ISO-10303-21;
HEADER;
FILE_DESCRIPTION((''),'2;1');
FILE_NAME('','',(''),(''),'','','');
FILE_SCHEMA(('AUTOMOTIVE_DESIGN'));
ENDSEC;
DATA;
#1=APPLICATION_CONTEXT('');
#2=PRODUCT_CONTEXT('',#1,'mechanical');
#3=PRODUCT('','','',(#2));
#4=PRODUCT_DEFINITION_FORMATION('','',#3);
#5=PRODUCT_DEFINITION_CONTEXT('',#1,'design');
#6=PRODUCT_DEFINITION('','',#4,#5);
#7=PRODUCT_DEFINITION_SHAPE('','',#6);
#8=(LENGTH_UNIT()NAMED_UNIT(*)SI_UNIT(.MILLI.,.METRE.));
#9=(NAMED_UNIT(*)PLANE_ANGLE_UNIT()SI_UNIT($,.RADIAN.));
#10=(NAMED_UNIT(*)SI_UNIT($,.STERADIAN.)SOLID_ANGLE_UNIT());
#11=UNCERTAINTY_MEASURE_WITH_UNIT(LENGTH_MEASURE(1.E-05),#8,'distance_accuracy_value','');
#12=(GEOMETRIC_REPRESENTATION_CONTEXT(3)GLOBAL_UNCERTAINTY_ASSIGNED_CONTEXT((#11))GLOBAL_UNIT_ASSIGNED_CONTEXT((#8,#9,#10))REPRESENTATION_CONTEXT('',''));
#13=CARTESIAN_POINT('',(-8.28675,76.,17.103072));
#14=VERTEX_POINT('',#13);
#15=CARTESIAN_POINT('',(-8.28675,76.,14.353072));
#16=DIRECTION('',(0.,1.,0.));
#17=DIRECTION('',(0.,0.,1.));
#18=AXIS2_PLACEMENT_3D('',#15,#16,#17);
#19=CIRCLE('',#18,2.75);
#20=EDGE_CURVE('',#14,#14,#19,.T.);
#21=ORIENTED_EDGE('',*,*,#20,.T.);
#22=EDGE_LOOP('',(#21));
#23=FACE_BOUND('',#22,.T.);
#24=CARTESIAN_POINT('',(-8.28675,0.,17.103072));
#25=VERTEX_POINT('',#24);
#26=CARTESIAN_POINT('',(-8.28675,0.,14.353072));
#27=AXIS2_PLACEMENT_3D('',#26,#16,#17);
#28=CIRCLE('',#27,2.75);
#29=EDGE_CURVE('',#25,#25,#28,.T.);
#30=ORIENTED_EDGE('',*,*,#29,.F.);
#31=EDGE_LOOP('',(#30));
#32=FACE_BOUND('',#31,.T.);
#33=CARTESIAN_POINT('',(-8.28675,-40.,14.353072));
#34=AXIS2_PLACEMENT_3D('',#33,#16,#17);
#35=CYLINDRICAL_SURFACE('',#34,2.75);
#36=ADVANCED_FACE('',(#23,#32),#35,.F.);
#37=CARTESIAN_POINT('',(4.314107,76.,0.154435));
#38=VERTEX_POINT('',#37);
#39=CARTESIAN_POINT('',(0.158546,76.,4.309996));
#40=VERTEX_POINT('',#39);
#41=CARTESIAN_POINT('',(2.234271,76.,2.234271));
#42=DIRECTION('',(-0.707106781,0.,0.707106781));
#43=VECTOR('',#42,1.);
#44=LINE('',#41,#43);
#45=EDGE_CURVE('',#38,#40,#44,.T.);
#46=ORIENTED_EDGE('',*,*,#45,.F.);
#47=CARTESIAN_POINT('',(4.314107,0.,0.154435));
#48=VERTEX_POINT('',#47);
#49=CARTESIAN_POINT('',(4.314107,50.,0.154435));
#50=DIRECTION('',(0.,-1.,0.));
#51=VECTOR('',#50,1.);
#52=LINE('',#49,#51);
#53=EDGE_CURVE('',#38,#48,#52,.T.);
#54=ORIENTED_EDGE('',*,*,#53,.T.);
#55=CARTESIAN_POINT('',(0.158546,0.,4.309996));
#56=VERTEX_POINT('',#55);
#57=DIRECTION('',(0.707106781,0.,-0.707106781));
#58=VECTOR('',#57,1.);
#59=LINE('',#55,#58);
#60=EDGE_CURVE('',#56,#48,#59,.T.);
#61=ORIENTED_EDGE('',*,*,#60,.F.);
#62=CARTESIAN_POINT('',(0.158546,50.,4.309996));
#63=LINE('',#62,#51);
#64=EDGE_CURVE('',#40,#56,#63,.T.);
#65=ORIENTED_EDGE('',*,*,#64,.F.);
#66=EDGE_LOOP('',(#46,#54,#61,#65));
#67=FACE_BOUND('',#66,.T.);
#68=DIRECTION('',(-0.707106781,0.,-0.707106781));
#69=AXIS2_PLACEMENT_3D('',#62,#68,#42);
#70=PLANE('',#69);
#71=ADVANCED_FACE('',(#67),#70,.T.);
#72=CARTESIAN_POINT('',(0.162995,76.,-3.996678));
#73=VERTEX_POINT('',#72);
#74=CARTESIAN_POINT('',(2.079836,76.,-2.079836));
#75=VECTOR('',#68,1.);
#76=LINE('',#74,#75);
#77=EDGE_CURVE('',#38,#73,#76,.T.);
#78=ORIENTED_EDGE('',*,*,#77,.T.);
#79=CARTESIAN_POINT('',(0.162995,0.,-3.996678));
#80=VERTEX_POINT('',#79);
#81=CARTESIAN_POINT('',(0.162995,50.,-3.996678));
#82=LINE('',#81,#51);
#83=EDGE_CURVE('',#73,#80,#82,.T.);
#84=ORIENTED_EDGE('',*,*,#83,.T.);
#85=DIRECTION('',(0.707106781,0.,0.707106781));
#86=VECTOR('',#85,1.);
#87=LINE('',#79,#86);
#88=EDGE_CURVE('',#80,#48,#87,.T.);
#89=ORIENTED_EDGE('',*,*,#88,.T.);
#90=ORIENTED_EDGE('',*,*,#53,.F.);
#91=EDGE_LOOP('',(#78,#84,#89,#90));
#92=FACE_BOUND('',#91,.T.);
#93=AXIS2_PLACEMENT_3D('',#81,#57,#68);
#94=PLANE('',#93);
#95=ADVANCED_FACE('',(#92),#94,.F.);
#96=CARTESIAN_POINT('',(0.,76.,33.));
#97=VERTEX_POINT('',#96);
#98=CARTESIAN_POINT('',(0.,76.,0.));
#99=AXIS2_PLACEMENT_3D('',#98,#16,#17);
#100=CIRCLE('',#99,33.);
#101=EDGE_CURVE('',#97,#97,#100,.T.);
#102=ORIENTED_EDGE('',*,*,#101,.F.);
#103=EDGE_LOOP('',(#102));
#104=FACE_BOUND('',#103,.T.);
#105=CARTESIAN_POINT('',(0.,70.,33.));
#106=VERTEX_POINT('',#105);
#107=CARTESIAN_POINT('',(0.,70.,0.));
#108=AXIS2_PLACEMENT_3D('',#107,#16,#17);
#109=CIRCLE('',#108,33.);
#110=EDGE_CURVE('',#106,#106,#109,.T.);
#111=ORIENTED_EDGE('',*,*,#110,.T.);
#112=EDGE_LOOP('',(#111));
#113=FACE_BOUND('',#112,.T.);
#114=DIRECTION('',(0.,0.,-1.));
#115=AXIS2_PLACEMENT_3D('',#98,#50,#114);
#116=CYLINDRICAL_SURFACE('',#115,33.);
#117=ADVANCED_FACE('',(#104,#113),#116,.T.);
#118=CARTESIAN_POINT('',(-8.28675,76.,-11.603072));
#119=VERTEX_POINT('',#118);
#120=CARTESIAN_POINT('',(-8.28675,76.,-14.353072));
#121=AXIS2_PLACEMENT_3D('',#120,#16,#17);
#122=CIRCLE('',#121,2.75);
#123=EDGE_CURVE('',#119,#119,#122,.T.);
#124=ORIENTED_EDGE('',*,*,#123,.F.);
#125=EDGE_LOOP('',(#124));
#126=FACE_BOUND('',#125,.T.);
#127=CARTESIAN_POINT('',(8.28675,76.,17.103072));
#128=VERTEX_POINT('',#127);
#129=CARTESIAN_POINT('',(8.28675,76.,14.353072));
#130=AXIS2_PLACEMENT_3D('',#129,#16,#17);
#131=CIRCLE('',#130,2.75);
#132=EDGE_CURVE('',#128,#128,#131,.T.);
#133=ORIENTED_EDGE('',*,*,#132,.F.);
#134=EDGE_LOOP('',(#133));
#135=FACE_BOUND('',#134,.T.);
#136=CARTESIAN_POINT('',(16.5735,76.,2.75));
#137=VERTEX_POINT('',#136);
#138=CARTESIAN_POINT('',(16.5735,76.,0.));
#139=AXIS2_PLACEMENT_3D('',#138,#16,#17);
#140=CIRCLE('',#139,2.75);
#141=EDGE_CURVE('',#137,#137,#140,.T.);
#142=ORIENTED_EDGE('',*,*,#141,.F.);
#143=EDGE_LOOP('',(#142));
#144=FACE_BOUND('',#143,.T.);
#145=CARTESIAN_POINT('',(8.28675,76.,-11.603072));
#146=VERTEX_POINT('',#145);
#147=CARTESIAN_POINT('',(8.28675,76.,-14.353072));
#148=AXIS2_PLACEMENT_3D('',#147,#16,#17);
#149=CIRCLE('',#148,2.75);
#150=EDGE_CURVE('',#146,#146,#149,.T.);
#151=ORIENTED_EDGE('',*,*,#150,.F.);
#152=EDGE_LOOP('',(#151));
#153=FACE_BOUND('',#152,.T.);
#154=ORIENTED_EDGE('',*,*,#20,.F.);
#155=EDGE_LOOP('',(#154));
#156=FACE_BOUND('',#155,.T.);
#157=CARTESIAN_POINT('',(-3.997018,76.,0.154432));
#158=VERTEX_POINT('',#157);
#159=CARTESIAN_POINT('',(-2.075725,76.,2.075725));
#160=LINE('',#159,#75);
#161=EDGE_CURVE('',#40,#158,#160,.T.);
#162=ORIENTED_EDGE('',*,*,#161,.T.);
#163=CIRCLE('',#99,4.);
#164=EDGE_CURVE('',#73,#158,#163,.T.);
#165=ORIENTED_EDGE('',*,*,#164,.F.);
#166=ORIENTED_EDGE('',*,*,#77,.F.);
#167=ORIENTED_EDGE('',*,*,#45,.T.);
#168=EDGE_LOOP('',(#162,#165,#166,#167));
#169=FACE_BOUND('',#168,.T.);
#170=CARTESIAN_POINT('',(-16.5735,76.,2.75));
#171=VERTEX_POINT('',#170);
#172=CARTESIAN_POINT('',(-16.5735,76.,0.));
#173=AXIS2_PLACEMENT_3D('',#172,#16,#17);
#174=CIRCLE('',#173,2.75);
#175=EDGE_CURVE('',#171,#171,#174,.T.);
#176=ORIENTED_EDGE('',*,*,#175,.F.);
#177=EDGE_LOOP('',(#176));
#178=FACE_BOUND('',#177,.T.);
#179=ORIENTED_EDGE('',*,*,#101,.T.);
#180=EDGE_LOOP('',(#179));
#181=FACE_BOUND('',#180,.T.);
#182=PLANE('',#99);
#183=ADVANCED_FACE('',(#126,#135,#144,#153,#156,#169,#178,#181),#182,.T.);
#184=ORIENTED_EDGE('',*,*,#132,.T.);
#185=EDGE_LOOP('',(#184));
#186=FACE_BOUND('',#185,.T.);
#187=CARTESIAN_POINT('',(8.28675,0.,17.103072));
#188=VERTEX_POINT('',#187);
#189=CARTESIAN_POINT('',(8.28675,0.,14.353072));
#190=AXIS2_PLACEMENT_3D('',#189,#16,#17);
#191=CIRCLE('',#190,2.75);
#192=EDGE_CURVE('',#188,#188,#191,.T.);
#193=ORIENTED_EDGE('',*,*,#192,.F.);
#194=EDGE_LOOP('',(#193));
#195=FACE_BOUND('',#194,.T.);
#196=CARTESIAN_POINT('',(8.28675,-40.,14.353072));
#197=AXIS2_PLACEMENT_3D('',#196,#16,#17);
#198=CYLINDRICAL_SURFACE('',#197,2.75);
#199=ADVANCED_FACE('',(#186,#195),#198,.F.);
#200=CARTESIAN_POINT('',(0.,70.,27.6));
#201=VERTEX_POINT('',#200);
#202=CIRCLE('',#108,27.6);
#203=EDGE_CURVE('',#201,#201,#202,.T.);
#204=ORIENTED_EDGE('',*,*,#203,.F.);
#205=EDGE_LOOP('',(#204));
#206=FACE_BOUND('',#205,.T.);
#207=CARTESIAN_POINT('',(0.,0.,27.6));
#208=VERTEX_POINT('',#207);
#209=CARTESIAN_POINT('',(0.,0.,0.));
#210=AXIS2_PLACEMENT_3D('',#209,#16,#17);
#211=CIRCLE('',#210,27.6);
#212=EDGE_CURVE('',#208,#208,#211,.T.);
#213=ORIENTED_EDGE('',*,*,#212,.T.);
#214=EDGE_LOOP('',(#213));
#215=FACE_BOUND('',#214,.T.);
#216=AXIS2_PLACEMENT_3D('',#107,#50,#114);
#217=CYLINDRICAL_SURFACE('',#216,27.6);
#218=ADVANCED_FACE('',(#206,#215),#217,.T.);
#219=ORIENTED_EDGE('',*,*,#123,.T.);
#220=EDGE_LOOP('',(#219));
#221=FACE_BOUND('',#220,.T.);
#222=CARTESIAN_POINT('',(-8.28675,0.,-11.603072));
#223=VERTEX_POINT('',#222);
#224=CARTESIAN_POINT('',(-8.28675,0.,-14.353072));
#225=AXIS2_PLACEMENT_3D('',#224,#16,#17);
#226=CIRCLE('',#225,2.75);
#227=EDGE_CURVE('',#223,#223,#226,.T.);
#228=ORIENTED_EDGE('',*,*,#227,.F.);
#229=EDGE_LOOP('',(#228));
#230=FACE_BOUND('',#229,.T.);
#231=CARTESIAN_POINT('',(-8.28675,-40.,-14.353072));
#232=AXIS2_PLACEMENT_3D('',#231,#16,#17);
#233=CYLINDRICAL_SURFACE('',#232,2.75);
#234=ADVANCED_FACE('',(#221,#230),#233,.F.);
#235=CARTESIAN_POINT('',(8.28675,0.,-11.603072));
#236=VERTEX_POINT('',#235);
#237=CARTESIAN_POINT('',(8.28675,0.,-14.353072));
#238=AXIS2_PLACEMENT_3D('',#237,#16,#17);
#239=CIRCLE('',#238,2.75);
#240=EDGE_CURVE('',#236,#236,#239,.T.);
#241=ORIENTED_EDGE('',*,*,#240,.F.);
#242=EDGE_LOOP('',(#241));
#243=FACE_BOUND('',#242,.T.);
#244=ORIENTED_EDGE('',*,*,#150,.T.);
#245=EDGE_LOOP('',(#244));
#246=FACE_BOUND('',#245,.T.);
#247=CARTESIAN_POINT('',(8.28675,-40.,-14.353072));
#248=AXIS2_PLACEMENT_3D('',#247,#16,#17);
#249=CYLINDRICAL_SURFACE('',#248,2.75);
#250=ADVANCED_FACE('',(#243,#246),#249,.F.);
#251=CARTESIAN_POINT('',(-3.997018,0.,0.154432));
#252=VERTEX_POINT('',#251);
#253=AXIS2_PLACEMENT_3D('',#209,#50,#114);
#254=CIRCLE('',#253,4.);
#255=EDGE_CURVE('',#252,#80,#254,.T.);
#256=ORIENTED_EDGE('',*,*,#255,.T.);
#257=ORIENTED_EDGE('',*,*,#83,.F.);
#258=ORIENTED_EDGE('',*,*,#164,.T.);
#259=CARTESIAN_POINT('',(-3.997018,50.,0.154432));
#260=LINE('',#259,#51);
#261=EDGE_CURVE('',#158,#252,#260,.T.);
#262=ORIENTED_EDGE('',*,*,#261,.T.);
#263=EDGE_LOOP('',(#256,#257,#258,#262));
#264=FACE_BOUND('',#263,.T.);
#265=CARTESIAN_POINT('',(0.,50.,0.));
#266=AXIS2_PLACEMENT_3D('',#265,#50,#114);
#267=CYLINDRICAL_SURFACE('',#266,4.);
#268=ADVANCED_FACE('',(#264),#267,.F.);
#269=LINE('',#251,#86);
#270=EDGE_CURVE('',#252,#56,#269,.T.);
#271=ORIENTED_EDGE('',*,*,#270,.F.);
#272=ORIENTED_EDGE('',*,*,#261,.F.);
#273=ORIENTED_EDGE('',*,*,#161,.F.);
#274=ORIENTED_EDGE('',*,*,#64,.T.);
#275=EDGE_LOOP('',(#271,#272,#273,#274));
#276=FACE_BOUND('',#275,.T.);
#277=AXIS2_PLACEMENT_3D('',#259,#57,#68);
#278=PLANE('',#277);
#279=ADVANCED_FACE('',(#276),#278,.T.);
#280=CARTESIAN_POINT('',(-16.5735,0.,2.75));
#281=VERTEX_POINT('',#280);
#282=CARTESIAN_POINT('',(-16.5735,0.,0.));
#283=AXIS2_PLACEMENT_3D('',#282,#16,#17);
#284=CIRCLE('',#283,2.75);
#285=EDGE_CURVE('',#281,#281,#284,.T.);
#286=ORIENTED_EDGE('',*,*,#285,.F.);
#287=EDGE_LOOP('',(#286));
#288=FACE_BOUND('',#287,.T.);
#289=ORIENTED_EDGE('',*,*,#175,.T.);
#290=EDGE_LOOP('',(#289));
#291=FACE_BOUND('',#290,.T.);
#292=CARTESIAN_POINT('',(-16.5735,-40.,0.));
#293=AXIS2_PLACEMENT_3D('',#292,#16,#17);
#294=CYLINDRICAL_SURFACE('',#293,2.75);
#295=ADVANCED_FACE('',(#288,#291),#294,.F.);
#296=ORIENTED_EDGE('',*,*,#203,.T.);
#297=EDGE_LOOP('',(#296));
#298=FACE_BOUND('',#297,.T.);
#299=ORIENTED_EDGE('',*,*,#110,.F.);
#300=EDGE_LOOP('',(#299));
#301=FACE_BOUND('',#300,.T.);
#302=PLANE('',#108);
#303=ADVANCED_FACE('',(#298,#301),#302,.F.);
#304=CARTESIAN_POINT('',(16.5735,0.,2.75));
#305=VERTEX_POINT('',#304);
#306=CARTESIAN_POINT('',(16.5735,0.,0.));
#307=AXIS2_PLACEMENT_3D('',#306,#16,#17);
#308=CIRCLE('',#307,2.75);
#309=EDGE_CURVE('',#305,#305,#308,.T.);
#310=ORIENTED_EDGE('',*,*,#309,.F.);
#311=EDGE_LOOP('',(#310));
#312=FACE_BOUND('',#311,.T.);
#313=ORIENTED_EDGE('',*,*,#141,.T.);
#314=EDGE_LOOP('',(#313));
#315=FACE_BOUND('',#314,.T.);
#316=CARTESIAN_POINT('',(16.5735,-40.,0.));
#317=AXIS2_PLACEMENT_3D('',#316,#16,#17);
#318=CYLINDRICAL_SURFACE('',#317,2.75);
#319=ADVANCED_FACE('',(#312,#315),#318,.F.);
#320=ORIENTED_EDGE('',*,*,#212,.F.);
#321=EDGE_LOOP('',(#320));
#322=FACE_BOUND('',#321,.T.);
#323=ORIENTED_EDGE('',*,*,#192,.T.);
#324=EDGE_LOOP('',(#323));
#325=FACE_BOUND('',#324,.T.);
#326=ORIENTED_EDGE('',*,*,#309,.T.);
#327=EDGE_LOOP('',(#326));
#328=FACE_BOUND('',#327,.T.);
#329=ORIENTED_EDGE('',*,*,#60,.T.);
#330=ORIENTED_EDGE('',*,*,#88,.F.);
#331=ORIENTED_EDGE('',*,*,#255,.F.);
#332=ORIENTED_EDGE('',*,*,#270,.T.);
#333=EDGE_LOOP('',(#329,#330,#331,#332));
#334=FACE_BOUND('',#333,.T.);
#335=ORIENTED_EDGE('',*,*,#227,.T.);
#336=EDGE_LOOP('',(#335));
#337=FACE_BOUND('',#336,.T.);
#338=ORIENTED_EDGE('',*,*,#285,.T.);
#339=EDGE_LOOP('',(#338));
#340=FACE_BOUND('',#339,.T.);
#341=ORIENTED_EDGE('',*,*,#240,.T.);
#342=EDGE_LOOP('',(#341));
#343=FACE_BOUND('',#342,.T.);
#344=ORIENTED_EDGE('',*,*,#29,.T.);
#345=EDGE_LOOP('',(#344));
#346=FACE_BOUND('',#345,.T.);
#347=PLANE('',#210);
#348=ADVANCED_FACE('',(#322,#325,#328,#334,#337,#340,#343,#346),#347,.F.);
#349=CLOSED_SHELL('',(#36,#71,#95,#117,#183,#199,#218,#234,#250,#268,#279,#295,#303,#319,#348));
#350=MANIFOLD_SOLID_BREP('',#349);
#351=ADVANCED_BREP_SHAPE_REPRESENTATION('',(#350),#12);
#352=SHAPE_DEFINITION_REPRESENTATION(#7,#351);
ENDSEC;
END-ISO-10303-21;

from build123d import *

# Parameters (mm, degrees)
SKETCH2_R           = 27.6
BOSS_EXTRUDE1_DEPTH = 70
CUT_EXTRUDE1_DEPTH  = 50
SKETCH3_R           = 2.75
CUT_EXTRUDE2_DEPTH  = 110
SKETCH4_R           = 33
BOSS_EXTRUDE2_DEPTH = 6
CUT_EXTRUDE3_START  = 6
SKETCH3_2_R         = 2.75
CUT_EXTRUDE3_DEPTH  = 6
CUT_EXTRUDE4_DEPTH  = 81


with BuildPart() as part:
    # Sketch2 → Boss-Extrude1 (new body)
    with BuildSketch(Plane(origin=(0, 0, 0), x_dir=(1, 0, 0), z_dir=(0, 1, 0))):
        Circle(SKETCH2_R)
    extrude(amount=BOSS_EXTRUDE1_DEPTH)

    # Sketch2<4> → Cut-Extrude1 (cut)
    with BuildSketch(Plane(origin=(0, 0, 0), x_dir=(1, 0, 0), z_dir=(0, 1, 0))):
        with BuildLine():
            Line((-3.997017731, -0.154432059), (0.158545764, -4.309995554))
            Line((0.158545764, -4.309995554), (4.314106781, -0.154434537))
            Line((4.314106781, -0.154434537), (0.162994526, 3.996677718))
            ThreePointArc((0.162994526, 3.996677718), (-2.825395827, 2.831455177), (-3.997017731, -0.154432059))
        make_face()
    extrude(amount=CUT_EXTRUDE1_DEPTH, mode=Mode.SUBTRACT)

    # Sketch3 → Cut-Extrude2 (cut)
    with BuildSketch(Plane(origin=(0, 70, 0), x_dir=(1, 0, 0), z_dir=(0, 1, 0))):
        with Locations((-8.28675, 14.35307203)):
            Circle(SKETCH3_R)
        with Locations((-16.5735, 0)):
            Circle(SKETCH3_R)
        with Locations((-8.28675, -14.35307203)):
            Circle(SKETCH3_R)
        with Locations((8.28675, -14.35307203)):
            Circle(SKETCH3_R)
        with Locations((16.5735, 0)):
            Circle(SKETCH3_R)
        with Locations((8.28675, 14.35307203)):
            Circle(SKETCH3_R)
    extrude(amount=-CUT_EXTRUDE2_DEPTH, mode=Mode.SUBTRACT)

    # Sketch4 → Boss-Extrude2 (add)
    with BuildSketch(Plane(origin=(0, 70, 0), x_dir=(1, 0, 0), z_dir=(0, 1, 0))):
        Circle(SKETCH4_R)
    extrude(amount=BOSS_EXTRUDE2_DEPTH)

    # Sketch3<2> → Cut-Extrude3 (cut)
    with BuildSketch(Plane(origin=(0, 70, 0), x_dir=(1, 0, 0), z_dir=(0, 1, 0)).offset(CUT_EXTRUDE3_START)):
        with Locations((-8.28675, 14.35307203)):
            Circle(SKETCH3_2_R)
        with Locations((-16.5735, 0)):
            Circle(SKETCH3_2_R)
        with Locations((-8.28675, -14.35307203)):
            Circle(SKETCH3_2_R)
        with Locations((8.28675, -14.35307203)):
            Circle(SKETCH3_2_R)
        with Locations((16.5735, 0)):
            Circle(SKETCH3_2_R)
        with Locations((8.28675, 14.35307203)):
            Circle(SKETCH3_2_R)
    extrude(amount=-CUT_EXTRUDE3_DEPTH, mode=Mode.SUBTRACT)

    # Sketch2<5> → Cut-Extrude4 (cut)
    with BuildSketch(Plane(origin=(0, 0, 0), x_dir=(1, 0, 0), z_dir=(0, 1, 0))):
        with BuildLine():
            Line((-3.997017731, -0.154432059), (0.158545764, -4.309995554))
            Line((0.158545764, -4.309995554), (4.314106781, -0.154434537))
            Line((4.314106781, -0.154434537), (0.162994526, 3.996677718))
            ThreePointArc((0.162994526, 3.996677718), (-2.825395827, 2.831455177), (-3.997017731, -0.154432059))
        make_face()
    extrude(amount=CUT_EXTRUDE4_DEPTH, mode=Mode.SUBTRACT)


solid = part.part
